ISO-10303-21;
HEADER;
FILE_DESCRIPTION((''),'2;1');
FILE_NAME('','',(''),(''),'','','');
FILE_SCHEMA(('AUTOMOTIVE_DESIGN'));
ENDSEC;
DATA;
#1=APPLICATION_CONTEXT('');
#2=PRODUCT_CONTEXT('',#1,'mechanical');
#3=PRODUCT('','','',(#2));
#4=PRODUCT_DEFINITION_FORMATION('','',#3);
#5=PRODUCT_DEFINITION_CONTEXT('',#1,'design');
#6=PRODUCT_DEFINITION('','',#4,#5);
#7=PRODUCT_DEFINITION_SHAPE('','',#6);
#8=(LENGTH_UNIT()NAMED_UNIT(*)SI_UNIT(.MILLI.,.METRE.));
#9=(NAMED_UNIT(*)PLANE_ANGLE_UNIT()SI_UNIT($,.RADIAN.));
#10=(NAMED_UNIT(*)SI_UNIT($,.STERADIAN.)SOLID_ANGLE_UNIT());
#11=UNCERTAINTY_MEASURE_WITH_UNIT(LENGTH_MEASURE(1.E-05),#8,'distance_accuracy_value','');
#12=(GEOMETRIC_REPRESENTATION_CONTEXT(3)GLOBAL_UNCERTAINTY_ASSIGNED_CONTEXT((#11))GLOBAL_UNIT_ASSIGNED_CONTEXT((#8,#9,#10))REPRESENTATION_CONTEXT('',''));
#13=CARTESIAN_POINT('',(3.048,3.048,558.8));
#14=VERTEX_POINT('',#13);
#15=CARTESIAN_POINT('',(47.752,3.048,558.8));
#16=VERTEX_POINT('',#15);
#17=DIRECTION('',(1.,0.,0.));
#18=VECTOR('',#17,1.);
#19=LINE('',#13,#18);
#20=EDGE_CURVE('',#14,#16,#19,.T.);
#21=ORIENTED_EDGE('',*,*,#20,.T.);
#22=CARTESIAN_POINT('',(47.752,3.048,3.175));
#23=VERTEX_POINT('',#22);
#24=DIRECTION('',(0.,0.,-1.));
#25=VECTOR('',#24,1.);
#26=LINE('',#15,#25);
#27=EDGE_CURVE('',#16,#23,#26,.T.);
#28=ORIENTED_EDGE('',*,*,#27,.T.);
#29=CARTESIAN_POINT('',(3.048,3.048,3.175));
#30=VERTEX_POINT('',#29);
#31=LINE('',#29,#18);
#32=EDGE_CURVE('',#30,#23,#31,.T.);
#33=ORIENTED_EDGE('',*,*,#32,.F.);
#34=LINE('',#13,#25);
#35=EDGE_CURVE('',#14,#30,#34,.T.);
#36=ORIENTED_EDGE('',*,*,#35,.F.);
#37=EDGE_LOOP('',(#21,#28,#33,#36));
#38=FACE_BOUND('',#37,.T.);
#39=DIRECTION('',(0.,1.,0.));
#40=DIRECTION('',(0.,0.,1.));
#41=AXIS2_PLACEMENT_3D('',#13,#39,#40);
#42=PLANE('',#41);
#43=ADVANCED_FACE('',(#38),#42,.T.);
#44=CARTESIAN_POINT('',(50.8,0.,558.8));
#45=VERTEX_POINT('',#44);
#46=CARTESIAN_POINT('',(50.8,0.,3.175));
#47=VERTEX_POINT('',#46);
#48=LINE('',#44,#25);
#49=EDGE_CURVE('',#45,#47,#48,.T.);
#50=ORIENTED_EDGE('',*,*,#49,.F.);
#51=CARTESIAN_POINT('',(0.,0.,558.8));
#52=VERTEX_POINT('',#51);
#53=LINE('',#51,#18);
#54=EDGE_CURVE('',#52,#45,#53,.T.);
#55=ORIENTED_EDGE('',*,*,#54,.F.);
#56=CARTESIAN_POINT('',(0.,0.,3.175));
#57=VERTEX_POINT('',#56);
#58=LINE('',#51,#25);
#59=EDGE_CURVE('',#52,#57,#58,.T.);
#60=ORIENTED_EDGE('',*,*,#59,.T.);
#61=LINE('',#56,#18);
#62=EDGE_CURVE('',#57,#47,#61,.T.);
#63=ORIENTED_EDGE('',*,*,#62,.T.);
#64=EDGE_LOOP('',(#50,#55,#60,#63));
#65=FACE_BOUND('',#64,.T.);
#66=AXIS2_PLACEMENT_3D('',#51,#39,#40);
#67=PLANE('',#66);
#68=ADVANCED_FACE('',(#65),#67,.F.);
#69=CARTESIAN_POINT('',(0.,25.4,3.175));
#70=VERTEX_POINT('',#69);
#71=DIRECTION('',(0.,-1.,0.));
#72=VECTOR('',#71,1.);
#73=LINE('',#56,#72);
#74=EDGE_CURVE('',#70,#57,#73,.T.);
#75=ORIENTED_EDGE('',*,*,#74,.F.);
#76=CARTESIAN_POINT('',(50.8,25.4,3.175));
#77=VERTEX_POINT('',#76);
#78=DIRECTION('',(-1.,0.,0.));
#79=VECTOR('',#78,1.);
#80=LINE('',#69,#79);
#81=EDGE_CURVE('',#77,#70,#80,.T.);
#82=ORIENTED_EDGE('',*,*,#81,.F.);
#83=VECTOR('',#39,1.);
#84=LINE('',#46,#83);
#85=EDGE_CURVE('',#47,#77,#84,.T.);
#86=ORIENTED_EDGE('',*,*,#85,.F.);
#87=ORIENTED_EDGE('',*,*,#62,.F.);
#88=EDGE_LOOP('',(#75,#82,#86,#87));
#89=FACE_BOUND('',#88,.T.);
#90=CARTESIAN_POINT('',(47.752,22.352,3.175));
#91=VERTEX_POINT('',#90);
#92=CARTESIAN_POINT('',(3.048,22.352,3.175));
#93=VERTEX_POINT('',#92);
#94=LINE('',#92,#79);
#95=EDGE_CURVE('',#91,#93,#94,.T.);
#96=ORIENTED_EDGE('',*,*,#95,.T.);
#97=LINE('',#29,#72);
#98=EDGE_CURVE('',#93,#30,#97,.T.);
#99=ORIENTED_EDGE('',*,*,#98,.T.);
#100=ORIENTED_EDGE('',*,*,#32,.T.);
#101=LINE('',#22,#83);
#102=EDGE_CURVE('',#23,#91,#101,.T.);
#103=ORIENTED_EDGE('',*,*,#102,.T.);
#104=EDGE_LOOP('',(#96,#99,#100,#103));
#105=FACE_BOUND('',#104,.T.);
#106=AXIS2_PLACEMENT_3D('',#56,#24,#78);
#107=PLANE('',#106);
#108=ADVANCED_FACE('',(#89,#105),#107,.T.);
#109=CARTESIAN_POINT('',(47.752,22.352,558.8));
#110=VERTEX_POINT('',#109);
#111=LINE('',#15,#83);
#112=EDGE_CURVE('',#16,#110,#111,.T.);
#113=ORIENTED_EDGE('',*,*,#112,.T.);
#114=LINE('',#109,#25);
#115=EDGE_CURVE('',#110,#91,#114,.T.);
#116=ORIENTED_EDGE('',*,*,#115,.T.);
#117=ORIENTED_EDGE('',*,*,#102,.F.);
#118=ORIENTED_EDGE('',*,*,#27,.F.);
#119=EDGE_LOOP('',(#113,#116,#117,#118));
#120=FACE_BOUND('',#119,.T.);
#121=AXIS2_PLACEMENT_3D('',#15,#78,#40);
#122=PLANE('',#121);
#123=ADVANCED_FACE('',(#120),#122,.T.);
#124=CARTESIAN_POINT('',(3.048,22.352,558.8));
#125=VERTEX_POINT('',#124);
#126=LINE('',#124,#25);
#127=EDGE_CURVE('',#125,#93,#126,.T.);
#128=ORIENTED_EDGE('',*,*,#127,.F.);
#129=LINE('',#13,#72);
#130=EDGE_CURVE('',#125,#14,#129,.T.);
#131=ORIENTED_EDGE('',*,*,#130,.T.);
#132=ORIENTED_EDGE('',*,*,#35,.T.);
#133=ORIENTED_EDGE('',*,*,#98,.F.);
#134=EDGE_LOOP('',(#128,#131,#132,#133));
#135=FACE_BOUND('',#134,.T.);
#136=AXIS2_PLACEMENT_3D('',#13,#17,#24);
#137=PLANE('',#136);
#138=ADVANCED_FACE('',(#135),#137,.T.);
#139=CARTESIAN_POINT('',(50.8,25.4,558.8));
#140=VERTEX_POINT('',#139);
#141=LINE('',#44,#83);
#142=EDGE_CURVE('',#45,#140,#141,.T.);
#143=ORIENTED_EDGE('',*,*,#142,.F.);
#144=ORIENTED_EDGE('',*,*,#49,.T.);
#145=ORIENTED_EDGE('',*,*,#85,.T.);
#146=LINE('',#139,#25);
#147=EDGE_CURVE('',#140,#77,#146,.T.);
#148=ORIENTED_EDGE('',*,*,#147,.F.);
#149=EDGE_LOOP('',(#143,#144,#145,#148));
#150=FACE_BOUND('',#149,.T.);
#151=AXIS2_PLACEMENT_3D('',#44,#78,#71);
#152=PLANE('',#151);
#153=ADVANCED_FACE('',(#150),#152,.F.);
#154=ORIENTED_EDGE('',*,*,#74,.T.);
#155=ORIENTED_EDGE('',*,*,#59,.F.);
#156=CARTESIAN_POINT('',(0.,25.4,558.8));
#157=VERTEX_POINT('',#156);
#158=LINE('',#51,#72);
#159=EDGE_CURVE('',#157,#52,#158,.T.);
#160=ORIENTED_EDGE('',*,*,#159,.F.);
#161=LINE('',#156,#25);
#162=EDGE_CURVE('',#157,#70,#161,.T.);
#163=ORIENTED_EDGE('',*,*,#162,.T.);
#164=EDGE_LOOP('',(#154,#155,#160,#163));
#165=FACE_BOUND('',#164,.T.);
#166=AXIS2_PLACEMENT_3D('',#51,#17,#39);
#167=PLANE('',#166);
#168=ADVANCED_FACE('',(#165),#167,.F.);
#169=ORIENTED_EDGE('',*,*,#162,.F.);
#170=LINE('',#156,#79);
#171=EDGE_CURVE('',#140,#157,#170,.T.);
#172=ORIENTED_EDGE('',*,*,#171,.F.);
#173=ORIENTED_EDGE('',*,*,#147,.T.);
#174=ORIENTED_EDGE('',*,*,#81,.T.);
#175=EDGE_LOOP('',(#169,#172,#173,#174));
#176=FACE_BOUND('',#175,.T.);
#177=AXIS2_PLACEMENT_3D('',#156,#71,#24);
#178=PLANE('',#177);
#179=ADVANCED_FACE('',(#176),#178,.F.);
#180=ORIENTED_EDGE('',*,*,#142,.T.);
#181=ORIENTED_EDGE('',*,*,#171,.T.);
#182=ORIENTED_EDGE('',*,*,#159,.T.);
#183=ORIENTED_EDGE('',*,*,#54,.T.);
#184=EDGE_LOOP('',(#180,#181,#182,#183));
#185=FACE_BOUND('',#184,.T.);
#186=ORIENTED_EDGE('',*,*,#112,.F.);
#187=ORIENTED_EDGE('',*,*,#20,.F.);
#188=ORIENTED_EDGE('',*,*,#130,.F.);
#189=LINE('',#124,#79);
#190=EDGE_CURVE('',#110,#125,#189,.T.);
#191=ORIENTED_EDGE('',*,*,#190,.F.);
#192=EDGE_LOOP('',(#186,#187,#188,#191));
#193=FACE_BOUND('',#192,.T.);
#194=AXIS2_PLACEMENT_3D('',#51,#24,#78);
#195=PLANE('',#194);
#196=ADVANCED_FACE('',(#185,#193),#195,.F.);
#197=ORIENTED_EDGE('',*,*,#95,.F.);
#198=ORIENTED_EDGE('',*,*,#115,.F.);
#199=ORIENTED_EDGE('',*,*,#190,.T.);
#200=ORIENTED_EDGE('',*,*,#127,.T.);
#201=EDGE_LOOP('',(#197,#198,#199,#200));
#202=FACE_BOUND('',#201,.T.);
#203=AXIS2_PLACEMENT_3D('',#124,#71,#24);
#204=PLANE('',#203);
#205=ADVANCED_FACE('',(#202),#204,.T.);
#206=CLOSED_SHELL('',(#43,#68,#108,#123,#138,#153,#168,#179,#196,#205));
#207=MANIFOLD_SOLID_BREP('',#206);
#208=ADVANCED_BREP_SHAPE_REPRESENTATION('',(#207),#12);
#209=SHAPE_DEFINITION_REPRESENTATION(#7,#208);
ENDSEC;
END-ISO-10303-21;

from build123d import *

# Parameters (mm, degrees)
BOSS_EXTRUDE1_START = 3.175
SKETCH1_W           = 50.8
SKETCH1_H           = 25.4
SKETCH1_W_2         = 44.704
SKETCH1_H_2         = 19.304
BOSS_EXTRUDE1_DEPTH = 555.625


with BuildPart() as part:
    # Sketch1 → Boss-Extrude1 (new body)
    with BuildSketch(Plane.XY.offset(BOSS_EXTRUDE1_START)):
        with Locations((25.4, 12.7)):
            Rectangle(SKETCH1_W, SKETCH1_H)
        with Locations((25.4, 12.7)):
            Rectangle(SKETCH1_W_2, SKETCH1_H_2, mode=Mode.SUBTRACT)
    extrude(amount=BOSS_EXTRUDE1_DEPTH)


solid = part.part
